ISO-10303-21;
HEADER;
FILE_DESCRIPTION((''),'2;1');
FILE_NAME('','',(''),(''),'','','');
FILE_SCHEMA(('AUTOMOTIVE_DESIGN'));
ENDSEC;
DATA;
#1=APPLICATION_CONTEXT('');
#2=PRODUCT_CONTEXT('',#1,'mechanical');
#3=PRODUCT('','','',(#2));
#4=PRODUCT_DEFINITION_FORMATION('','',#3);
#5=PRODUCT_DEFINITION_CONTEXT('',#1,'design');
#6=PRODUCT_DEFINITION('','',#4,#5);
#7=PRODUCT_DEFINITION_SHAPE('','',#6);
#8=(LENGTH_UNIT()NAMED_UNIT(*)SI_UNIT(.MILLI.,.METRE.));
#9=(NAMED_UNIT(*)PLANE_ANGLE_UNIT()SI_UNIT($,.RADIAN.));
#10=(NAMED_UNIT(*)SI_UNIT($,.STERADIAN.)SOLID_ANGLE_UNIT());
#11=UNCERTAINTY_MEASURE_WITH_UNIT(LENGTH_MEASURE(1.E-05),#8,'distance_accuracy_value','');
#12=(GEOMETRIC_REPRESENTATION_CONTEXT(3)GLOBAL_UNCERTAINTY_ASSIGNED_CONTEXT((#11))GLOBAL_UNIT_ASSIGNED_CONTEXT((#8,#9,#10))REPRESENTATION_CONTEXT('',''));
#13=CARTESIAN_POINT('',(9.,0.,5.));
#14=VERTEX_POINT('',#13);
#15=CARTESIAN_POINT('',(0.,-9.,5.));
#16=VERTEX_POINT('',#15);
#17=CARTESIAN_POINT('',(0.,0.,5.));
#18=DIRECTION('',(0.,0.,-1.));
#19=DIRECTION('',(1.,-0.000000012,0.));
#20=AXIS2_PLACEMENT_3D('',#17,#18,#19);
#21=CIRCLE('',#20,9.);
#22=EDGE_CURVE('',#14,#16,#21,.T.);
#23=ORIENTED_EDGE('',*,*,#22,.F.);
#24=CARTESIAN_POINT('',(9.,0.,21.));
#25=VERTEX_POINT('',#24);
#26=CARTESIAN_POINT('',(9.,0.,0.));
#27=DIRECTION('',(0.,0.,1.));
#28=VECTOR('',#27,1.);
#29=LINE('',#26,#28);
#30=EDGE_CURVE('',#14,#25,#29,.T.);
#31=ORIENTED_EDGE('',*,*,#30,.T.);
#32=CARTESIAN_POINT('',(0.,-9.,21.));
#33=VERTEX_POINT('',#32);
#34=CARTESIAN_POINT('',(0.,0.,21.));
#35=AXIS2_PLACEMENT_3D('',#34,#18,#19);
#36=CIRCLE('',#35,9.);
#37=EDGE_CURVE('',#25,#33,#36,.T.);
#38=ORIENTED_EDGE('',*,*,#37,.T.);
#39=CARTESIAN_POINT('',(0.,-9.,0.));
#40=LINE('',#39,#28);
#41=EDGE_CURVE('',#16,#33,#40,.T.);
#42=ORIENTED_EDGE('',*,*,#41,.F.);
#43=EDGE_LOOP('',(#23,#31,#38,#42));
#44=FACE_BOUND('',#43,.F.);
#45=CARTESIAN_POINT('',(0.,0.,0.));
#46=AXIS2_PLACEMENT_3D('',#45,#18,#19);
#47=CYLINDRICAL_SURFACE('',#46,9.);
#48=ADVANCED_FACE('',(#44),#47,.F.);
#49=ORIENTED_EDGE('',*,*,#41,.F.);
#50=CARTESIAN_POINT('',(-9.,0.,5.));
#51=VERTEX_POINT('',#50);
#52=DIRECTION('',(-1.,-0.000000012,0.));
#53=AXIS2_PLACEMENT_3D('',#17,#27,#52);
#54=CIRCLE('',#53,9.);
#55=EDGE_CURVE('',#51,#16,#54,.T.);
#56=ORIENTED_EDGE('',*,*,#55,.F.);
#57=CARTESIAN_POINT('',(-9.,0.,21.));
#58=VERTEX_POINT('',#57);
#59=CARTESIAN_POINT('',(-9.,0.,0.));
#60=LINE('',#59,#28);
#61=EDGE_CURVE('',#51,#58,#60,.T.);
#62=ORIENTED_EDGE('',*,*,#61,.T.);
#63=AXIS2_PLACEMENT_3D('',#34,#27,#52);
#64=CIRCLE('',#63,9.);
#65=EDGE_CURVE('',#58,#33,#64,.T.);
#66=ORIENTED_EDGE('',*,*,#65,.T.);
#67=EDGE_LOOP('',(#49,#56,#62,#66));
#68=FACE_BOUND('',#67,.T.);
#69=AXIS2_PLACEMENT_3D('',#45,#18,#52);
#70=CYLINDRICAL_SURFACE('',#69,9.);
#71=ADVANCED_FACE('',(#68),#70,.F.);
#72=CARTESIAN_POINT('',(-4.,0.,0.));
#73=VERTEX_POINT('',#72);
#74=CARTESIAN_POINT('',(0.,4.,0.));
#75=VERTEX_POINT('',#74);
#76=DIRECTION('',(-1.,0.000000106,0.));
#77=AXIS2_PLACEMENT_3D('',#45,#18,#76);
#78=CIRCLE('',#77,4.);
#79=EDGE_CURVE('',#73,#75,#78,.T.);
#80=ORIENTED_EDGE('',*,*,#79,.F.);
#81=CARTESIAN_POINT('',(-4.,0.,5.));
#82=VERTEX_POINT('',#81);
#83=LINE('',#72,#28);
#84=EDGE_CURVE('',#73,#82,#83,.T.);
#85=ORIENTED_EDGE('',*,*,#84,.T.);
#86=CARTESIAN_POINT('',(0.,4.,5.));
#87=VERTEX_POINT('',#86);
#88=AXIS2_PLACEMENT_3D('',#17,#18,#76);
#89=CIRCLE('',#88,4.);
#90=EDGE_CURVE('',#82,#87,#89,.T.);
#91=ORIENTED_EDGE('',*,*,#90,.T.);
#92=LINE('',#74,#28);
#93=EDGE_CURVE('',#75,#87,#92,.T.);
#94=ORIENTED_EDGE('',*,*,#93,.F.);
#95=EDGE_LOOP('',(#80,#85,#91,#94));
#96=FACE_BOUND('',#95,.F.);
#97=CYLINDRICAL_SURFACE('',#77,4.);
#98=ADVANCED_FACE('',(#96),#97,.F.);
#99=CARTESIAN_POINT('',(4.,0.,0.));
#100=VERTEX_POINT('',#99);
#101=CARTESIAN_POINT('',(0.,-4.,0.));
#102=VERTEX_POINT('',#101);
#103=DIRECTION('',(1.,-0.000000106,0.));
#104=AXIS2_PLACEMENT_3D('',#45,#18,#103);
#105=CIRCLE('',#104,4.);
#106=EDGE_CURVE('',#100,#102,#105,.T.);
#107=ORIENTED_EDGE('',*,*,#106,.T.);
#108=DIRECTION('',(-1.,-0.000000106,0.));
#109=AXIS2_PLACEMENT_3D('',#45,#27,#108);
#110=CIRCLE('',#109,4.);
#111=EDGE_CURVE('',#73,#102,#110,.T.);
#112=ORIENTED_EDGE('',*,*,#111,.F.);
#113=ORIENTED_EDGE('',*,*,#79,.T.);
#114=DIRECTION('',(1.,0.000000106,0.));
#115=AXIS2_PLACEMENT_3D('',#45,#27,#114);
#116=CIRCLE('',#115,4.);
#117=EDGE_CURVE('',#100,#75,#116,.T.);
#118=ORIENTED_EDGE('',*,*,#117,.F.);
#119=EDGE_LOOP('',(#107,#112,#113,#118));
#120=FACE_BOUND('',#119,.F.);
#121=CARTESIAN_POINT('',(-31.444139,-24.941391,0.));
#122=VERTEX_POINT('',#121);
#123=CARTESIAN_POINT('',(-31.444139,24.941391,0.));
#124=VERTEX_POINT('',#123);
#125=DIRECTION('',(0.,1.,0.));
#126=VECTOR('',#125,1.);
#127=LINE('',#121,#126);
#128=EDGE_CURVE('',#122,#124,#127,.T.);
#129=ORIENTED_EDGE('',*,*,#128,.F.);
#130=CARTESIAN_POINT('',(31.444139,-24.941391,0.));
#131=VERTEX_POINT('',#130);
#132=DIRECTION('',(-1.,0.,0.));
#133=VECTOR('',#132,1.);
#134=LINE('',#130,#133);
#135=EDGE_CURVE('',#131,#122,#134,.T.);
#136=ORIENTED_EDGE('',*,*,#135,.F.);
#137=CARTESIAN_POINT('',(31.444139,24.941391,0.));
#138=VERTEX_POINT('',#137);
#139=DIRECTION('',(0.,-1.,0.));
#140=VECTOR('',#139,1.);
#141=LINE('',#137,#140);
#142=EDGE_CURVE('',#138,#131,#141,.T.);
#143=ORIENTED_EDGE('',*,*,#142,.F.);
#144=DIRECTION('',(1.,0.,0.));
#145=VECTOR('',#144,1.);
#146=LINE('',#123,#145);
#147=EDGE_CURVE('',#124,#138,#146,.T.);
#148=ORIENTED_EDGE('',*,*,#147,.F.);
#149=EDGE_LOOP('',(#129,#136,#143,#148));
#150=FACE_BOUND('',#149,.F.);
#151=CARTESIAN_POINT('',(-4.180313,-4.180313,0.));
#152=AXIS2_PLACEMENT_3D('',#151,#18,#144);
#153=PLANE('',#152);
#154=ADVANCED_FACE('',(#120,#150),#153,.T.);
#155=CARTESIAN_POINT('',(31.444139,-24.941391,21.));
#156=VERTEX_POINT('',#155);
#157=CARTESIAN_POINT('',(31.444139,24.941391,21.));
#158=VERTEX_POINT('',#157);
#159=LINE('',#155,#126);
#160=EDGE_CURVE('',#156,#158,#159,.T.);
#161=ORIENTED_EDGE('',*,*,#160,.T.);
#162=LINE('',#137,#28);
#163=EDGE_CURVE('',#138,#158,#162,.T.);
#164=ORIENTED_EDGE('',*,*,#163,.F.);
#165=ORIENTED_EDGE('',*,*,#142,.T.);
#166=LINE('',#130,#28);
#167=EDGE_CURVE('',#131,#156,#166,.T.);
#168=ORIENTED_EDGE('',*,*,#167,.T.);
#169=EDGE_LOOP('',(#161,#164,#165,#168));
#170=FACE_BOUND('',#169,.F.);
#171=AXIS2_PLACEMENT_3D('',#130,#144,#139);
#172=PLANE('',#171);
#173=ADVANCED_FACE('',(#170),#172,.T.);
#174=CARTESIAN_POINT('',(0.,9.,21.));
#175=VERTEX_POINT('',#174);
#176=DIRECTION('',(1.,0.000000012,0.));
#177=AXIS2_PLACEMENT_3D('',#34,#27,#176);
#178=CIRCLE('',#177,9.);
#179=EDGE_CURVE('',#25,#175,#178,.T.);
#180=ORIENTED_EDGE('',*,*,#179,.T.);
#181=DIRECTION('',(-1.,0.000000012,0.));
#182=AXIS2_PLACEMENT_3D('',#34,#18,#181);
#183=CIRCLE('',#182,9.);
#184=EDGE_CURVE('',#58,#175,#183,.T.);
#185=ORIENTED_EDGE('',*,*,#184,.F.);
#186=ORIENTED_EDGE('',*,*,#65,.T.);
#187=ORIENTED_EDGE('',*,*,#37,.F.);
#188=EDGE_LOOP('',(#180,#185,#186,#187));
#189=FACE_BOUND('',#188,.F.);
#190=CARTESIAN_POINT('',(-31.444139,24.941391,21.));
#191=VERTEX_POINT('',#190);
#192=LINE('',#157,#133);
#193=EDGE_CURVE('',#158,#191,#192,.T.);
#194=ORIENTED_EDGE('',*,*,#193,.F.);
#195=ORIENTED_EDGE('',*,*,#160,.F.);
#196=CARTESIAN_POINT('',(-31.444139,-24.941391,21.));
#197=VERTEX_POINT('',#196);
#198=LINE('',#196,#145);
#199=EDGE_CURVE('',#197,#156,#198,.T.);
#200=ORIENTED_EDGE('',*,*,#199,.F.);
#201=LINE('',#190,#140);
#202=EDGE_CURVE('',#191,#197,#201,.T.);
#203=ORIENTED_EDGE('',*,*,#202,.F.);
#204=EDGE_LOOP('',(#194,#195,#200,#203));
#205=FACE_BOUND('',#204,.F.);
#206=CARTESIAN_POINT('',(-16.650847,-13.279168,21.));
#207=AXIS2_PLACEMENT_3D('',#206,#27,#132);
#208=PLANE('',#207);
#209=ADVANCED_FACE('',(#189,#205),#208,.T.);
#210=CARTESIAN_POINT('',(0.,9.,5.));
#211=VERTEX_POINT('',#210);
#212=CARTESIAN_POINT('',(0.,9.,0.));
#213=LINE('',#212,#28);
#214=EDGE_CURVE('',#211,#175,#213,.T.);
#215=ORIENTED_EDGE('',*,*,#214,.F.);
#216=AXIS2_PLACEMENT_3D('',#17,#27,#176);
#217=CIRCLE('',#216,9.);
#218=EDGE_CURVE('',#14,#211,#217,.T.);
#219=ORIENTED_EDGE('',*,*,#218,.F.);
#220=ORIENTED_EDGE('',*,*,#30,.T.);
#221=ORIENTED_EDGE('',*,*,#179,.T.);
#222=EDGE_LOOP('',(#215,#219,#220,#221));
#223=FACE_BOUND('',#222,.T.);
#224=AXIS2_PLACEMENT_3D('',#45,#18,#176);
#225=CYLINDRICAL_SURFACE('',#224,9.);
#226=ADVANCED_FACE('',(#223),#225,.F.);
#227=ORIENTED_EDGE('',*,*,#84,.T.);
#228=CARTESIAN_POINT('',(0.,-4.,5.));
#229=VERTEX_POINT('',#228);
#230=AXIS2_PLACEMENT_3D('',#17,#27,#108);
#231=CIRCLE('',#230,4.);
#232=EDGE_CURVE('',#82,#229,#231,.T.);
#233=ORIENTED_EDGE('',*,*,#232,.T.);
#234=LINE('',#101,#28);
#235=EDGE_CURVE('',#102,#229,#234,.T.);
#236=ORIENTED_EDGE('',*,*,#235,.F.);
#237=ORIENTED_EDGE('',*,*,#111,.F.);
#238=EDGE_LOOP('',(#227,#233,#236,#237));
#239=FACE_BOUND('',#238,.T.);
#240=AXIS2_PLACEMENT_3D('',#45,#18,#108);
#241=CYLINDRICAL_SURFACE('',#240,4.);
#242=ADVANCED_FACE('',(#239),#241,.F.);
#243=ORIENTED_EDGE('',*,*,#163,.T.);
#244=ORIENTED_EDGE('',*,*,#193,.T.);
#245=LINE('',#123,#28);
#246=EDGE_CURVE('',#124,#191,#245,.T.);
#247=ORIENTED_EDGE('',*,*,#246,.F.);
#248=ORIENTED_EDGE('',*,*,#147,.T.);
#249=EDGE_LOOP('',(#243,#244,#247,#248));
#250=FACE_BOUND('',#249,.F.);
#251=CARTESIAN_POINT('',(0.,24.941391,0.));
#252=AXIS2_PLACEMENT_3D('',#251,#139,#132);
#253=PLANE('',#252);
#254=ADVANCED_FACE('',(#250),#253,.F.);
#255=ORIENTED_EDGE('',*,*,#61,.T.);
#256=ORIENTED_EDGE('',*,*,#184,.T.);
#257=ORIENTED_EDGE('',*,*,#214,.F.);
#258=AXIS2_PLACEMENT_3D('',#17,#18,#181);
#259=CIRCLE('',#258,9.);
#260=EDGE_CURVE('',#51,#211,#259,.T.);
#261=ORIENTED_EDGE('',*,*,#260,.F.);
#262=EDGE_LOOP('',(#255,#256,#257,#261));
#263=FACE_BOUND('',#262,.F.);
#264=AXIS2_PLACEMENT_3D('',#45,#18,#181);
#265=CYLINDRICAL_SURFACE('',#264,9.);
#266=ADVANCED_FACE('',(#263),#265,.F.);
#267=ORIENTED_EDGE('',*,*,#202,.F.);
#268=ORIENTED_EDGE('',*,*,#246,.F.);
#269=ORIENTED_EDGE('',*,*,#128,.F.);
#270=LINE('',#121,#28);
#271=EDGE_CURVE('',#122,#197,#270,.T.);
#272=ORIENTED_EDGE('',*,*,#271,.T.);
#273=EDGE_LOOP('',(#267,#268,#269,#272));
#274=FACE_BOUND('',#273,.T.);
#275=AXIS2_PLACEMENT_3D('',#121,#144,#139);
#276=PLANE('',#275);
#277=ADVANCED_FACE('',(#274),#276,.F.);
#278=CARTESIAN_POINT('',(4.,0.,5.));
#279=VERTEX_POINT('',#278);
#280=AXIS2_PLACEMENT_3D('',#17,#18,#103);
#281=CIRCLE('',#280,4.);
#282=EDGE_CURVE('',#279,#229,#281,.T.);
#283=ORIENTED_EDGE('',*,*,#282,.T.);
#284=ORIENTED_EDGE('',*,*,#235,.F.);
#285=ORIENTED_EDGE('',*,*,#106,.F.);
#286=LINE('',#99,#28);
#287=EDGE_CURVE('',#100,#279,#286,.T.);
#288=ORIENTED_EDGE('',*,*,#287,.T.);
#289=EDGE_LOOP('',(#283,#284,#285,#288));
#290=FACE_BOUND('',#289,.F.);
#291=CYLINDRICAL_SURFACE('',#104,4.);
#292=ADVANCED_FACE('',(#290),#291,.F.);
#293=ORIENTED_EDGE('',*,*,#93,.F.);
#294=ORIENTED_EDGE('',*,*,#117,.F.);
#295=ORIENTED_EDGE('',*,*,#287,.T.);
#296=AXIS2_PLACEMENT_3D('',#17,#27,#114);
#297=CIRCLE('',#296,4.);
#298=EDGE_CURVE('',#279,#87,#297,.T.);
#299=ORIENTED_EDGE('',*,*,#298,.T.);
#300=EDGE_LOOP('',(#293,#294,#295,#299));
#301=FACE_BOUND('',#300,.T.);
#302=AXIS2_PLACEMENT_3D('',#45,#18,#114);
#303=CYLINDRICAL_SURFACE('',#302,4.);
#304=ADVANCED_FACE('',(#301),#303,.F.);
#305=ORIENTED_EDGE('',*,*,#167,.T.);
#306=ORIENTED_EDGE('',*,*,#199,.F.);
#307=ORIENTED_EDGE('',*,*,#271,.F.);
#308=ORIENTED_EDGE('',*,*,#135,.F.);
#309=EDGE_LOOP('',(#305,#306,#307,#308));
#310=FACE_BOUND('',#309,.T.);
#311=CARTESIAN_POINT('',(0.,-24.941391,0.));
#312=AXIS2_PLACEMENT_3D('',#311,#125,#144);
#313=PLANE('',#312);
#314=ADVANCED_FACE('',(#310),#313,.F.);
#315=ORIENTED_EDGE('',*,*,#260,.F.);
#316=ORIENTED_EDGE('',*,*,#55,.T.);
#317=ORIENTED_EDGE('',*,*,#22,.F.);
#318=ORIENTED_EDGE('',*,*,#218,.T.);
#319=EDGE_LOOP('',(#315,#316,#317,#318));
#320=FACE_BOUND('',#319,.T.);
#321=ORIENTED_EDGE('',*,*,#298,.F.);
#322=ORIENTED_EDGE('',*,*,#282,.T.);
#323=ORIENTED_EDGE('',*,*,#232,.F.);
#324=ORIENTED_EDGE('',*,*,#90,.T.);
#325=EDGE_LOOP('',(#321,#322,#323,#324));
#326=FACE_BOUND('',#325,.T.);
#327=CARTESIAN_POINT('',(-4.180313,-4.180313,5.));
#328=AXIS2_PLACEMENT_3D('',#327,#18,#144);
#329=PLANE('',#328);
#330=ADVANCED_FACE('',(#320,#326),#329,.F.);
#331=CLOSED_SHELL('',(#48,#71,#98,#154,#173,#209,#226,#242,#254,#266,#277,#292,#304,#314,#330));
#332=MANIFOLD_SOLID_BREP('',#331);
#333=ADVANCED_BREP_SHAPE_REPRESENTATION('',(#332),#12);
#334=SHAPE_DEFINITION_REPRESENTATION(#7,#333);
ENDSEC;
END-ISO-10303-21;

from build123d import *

# Parameters (mm, degrees)
PAD_DEPTH               = 21
PAD001_DEPTH            = 5
PAD_MIRRORED_2_DEPTH    = 21
PAD001_MIRRORED_2_DEPTH = 5


with BuildPart() as part:
    # Sketch → Pad (new body)
    with BuildSketch(Plane.XY):
        with BuildLine():
            ThreePointArc((9, 0), (6.363961, 6.363961), (0, 9))
            Line((0, 9), (0, 24.941391))
            Line((0, 24.941391), (31.444139, 24.941391))
            Line((31.444139, 24.941391), (31.444139, 0))
            Line((31.444139, 0), (9, 0))
        make_face()
    pad = extrude(amount=PAD_DEPTH)

    # Sketch001 → Pad001 (join)
    with BuildSketch(Plane.XY):
        with BuildLine():
            ThreePointArc((9, 0), (6.363961, 6.363961), (0, 9))
            Line((0, 9), (0, 4))
            ThreePointArc((4, 0), (2.828427, 2.828427), (0, 4))
            Line((4, 0), (9, 0))
        make_face()
    pad001 = extrude(amount=PAD001_DEPTH)

    # Sketch Mirrored 2 → Pad Mirrored 2 (add)
    with BuildSketch(Plane(origin=(0, 0, 0), x_dir=(-1, 0, 0), z_dir=(0, 0, -1))):
        with BuildLine():
            ThreePointArc((9, 0), (6.363961, 6.363961), (0, 9))
            Line((0, 9), (0, 24.941391))
            Line((0, 24.941391), (31.444139, 24.941391))
            Line((31.444139, 24.941391), (31.444139, 0))
            Line((31.444139, 0), (9, 0))
        make_face()
    pad_mirrored_2 = extrude(amount=-PAD_MIRRORED_2_DEPTH)

    # Sketch001 Mirrored 2 → Pad001 Mirrored 2 (add)
    with BuildSketch(Plane(origin=(0, 0, 0), x_dir=(-1, 0, 0), z_dir=(0, 0, -1))):
        with BuildLine():
            ThreePointArc((9, 0), (6.363961, 6.363961), (0, 9))
            Line((0, 9), (0, 4))
            ThreePointArc((4, 0), (2.828427, 2.828427), (0, 4))
            Line((4, 0), (9, 0))
        make_face()
    pad001_mirrored_2 = extrude(amount=-PAD001_MIRRORED_2_DEPTH)

    # Mirrored001: Pad, Pad001, Pad Mirrored 2, Pad001 Mirrored 2 across Sketch H_Axis
    add(pad.mirror(Plane.ZX))
    add(pad001.mirror(Plane.ZX))
    add(pad_mirrored_2.mirror(Plane.ZX))
    add(pad001_mirrored_2.mirror(Plane.ZX))


solid = part.part
